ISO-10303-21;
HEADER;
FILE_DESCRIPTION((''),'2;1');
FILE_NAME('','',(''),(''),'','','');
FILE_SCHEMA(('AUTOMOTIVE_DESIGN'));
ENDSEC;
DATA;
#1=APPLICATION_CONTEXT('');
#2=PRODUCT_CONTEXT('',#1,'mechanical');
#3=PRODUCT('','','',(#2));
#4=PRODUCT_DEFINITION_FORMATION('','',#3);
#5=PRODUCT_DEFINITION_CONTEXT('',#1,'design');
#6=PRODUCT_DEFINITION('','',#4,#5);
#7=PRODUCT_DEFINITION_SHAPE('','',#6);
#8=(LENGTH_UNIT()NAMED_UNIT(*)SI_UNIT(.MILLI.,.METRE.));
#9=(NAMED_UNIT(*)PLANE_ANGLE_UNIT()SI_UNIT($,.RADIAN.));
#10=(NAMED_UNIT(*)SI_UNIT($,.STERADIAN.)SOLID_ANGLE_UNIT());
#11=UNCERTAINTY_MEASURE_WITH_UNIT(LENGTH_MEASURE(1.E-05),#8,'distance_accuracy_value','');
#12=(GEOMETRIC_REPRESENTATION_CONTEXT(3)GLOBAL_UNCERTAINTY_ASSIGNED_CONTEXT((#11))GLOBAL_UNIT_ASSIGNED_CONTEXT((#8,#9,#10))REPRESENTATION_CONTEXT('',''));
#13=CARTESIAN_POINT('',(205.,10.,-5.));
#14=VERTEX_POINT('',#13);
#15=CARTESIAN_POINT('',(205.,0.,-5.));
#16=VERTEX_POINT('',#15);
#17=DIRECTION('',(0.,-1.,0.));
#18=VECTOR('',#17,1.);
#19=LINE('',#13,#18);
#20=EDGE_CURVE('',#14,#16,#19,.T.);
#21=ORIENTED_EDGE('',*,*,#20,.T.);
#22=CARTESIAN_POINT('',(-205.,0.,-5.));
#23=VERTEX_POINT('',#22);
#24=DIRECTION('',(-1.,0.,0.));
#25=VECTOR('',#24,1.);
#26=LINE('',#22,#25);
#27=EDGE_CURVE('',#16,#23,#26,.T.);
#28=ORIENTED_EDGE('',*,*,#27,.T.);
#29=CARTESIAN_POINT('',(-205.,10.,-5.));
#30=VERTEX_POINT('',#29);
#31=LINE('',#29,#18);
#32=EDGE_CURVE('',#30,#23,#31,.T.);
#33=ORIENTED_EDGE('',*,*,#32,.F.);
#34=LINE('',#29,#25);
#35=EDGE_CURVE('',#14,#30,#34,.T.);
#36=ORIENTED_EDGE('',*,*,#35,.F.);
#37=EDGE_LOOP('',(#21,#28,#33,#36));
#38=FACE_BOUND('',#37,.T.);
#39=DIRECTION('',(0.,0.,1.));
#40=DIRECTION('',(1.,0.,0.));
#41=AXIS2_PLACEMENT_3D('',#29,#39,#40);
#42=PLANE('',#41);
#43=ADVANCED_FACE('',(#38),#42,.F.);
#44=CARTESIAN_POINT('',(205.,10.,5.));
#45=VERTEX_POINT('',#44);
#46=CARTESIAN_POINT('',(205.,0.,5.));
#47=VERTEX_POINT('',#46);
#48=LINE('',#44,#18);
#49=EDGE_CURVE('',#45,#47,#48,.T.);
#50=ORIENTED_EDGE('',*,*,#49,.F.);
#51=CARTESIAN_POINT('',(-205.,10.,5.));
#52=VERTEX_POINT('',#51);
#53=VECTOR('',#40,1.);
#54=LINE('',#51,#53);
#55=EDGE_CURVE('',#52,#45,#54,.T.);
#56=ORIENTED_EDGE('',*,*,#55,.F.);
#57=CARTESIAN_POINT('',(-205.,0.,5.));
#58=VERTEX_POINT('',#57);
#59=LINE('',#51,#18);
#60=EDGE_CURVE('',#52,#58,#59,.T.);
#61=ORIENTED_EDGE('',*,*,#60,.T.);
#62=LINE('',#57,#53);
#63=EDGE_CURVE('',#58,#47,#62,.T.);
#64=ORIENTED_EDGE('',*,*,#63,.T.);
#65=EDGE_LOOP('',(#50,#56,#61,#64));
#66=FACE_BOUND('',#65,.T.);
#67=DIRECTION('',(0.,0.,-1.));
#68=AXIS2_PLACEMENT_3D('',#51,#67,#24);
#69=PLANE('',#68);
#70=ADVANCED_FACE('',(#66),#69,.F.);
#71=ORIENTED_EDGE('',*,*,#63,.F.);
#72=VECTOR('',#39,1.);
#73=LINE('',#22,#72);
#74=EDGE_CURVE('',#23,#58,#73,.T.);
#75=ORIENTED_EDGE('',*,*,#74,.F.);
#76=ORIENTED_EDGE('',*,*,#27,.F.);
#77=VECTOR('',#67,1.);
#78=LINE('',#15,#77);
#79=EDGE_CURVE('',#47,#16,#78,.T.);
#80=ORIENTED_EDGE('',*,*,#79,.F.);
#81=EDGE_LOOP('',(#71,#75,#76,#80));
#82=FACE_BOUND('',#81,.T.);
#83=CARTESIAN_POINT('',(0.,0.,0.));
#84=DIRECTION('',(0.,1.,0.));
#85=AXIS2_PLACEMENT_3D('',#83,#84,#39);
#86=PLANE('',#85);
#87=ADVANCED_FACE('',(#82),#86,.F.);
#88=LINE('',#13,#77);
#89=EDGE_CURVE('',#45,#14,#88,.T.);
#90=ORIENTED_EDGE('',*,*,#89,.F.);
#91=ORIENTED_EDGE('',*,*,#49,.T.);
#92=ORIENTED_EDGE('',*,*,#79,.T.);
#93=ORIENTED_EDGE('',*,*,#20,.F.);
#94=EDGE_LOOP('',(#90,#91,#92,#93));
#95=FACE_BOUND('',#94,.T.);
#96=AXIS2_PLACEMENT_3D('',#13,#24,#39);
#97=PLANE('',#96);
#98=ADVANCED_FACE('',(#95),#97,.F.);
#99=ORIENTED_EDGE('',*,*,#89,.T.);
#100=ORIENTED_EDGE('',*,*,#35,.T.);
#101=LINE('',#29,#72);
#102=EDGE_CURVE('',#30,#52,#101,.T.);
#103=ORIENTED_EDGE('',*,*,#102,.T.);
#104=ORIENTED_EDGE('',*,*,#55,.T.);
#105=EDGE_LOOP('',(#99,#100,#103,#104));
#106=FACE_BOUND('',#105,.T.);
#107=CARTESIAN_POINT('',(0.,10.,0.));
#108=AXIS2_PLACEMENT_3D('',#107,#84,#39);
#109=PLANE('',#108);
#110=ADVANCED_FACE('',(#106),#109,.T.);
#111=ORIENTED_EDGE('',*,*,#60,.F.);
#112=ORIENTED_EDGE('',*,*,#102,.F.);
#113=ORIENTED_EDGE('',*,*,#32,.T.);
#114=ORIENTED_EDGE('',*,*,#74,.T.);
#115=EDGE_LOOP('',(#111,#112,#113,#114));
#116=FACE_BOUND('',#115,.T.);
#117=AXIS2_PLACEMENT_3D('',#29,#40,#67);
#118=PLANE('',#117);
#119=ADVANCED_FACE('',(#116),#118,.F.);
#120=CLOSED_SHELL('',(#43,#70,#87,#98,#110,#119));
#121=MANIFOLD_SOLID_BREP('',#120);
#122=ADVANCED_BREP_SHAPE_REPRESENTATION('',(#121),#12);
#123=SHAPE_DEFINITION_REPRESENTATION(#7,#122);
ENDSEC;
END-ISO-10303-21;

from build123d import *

# Parameters (mm, degrees)
SKETCH1_W           = 410
SKETCH1_H           = 10
BOSS_EXTRUDE1_DEPTH = 10


with BuildPart() as part:
    # Sketch1 → Boss-Extrude1 (new body)
    with BuildSketch(Plane(origin=(0, 0, 0), x_dir=(1, 0, 0), z_dir=(0, 1, 0))):
        Rectangle(SKETCH1_W, SKETCH1_H)
    extrude(amount=BOSS_EXTRUDE1_DEPTH)


solid = part.part
